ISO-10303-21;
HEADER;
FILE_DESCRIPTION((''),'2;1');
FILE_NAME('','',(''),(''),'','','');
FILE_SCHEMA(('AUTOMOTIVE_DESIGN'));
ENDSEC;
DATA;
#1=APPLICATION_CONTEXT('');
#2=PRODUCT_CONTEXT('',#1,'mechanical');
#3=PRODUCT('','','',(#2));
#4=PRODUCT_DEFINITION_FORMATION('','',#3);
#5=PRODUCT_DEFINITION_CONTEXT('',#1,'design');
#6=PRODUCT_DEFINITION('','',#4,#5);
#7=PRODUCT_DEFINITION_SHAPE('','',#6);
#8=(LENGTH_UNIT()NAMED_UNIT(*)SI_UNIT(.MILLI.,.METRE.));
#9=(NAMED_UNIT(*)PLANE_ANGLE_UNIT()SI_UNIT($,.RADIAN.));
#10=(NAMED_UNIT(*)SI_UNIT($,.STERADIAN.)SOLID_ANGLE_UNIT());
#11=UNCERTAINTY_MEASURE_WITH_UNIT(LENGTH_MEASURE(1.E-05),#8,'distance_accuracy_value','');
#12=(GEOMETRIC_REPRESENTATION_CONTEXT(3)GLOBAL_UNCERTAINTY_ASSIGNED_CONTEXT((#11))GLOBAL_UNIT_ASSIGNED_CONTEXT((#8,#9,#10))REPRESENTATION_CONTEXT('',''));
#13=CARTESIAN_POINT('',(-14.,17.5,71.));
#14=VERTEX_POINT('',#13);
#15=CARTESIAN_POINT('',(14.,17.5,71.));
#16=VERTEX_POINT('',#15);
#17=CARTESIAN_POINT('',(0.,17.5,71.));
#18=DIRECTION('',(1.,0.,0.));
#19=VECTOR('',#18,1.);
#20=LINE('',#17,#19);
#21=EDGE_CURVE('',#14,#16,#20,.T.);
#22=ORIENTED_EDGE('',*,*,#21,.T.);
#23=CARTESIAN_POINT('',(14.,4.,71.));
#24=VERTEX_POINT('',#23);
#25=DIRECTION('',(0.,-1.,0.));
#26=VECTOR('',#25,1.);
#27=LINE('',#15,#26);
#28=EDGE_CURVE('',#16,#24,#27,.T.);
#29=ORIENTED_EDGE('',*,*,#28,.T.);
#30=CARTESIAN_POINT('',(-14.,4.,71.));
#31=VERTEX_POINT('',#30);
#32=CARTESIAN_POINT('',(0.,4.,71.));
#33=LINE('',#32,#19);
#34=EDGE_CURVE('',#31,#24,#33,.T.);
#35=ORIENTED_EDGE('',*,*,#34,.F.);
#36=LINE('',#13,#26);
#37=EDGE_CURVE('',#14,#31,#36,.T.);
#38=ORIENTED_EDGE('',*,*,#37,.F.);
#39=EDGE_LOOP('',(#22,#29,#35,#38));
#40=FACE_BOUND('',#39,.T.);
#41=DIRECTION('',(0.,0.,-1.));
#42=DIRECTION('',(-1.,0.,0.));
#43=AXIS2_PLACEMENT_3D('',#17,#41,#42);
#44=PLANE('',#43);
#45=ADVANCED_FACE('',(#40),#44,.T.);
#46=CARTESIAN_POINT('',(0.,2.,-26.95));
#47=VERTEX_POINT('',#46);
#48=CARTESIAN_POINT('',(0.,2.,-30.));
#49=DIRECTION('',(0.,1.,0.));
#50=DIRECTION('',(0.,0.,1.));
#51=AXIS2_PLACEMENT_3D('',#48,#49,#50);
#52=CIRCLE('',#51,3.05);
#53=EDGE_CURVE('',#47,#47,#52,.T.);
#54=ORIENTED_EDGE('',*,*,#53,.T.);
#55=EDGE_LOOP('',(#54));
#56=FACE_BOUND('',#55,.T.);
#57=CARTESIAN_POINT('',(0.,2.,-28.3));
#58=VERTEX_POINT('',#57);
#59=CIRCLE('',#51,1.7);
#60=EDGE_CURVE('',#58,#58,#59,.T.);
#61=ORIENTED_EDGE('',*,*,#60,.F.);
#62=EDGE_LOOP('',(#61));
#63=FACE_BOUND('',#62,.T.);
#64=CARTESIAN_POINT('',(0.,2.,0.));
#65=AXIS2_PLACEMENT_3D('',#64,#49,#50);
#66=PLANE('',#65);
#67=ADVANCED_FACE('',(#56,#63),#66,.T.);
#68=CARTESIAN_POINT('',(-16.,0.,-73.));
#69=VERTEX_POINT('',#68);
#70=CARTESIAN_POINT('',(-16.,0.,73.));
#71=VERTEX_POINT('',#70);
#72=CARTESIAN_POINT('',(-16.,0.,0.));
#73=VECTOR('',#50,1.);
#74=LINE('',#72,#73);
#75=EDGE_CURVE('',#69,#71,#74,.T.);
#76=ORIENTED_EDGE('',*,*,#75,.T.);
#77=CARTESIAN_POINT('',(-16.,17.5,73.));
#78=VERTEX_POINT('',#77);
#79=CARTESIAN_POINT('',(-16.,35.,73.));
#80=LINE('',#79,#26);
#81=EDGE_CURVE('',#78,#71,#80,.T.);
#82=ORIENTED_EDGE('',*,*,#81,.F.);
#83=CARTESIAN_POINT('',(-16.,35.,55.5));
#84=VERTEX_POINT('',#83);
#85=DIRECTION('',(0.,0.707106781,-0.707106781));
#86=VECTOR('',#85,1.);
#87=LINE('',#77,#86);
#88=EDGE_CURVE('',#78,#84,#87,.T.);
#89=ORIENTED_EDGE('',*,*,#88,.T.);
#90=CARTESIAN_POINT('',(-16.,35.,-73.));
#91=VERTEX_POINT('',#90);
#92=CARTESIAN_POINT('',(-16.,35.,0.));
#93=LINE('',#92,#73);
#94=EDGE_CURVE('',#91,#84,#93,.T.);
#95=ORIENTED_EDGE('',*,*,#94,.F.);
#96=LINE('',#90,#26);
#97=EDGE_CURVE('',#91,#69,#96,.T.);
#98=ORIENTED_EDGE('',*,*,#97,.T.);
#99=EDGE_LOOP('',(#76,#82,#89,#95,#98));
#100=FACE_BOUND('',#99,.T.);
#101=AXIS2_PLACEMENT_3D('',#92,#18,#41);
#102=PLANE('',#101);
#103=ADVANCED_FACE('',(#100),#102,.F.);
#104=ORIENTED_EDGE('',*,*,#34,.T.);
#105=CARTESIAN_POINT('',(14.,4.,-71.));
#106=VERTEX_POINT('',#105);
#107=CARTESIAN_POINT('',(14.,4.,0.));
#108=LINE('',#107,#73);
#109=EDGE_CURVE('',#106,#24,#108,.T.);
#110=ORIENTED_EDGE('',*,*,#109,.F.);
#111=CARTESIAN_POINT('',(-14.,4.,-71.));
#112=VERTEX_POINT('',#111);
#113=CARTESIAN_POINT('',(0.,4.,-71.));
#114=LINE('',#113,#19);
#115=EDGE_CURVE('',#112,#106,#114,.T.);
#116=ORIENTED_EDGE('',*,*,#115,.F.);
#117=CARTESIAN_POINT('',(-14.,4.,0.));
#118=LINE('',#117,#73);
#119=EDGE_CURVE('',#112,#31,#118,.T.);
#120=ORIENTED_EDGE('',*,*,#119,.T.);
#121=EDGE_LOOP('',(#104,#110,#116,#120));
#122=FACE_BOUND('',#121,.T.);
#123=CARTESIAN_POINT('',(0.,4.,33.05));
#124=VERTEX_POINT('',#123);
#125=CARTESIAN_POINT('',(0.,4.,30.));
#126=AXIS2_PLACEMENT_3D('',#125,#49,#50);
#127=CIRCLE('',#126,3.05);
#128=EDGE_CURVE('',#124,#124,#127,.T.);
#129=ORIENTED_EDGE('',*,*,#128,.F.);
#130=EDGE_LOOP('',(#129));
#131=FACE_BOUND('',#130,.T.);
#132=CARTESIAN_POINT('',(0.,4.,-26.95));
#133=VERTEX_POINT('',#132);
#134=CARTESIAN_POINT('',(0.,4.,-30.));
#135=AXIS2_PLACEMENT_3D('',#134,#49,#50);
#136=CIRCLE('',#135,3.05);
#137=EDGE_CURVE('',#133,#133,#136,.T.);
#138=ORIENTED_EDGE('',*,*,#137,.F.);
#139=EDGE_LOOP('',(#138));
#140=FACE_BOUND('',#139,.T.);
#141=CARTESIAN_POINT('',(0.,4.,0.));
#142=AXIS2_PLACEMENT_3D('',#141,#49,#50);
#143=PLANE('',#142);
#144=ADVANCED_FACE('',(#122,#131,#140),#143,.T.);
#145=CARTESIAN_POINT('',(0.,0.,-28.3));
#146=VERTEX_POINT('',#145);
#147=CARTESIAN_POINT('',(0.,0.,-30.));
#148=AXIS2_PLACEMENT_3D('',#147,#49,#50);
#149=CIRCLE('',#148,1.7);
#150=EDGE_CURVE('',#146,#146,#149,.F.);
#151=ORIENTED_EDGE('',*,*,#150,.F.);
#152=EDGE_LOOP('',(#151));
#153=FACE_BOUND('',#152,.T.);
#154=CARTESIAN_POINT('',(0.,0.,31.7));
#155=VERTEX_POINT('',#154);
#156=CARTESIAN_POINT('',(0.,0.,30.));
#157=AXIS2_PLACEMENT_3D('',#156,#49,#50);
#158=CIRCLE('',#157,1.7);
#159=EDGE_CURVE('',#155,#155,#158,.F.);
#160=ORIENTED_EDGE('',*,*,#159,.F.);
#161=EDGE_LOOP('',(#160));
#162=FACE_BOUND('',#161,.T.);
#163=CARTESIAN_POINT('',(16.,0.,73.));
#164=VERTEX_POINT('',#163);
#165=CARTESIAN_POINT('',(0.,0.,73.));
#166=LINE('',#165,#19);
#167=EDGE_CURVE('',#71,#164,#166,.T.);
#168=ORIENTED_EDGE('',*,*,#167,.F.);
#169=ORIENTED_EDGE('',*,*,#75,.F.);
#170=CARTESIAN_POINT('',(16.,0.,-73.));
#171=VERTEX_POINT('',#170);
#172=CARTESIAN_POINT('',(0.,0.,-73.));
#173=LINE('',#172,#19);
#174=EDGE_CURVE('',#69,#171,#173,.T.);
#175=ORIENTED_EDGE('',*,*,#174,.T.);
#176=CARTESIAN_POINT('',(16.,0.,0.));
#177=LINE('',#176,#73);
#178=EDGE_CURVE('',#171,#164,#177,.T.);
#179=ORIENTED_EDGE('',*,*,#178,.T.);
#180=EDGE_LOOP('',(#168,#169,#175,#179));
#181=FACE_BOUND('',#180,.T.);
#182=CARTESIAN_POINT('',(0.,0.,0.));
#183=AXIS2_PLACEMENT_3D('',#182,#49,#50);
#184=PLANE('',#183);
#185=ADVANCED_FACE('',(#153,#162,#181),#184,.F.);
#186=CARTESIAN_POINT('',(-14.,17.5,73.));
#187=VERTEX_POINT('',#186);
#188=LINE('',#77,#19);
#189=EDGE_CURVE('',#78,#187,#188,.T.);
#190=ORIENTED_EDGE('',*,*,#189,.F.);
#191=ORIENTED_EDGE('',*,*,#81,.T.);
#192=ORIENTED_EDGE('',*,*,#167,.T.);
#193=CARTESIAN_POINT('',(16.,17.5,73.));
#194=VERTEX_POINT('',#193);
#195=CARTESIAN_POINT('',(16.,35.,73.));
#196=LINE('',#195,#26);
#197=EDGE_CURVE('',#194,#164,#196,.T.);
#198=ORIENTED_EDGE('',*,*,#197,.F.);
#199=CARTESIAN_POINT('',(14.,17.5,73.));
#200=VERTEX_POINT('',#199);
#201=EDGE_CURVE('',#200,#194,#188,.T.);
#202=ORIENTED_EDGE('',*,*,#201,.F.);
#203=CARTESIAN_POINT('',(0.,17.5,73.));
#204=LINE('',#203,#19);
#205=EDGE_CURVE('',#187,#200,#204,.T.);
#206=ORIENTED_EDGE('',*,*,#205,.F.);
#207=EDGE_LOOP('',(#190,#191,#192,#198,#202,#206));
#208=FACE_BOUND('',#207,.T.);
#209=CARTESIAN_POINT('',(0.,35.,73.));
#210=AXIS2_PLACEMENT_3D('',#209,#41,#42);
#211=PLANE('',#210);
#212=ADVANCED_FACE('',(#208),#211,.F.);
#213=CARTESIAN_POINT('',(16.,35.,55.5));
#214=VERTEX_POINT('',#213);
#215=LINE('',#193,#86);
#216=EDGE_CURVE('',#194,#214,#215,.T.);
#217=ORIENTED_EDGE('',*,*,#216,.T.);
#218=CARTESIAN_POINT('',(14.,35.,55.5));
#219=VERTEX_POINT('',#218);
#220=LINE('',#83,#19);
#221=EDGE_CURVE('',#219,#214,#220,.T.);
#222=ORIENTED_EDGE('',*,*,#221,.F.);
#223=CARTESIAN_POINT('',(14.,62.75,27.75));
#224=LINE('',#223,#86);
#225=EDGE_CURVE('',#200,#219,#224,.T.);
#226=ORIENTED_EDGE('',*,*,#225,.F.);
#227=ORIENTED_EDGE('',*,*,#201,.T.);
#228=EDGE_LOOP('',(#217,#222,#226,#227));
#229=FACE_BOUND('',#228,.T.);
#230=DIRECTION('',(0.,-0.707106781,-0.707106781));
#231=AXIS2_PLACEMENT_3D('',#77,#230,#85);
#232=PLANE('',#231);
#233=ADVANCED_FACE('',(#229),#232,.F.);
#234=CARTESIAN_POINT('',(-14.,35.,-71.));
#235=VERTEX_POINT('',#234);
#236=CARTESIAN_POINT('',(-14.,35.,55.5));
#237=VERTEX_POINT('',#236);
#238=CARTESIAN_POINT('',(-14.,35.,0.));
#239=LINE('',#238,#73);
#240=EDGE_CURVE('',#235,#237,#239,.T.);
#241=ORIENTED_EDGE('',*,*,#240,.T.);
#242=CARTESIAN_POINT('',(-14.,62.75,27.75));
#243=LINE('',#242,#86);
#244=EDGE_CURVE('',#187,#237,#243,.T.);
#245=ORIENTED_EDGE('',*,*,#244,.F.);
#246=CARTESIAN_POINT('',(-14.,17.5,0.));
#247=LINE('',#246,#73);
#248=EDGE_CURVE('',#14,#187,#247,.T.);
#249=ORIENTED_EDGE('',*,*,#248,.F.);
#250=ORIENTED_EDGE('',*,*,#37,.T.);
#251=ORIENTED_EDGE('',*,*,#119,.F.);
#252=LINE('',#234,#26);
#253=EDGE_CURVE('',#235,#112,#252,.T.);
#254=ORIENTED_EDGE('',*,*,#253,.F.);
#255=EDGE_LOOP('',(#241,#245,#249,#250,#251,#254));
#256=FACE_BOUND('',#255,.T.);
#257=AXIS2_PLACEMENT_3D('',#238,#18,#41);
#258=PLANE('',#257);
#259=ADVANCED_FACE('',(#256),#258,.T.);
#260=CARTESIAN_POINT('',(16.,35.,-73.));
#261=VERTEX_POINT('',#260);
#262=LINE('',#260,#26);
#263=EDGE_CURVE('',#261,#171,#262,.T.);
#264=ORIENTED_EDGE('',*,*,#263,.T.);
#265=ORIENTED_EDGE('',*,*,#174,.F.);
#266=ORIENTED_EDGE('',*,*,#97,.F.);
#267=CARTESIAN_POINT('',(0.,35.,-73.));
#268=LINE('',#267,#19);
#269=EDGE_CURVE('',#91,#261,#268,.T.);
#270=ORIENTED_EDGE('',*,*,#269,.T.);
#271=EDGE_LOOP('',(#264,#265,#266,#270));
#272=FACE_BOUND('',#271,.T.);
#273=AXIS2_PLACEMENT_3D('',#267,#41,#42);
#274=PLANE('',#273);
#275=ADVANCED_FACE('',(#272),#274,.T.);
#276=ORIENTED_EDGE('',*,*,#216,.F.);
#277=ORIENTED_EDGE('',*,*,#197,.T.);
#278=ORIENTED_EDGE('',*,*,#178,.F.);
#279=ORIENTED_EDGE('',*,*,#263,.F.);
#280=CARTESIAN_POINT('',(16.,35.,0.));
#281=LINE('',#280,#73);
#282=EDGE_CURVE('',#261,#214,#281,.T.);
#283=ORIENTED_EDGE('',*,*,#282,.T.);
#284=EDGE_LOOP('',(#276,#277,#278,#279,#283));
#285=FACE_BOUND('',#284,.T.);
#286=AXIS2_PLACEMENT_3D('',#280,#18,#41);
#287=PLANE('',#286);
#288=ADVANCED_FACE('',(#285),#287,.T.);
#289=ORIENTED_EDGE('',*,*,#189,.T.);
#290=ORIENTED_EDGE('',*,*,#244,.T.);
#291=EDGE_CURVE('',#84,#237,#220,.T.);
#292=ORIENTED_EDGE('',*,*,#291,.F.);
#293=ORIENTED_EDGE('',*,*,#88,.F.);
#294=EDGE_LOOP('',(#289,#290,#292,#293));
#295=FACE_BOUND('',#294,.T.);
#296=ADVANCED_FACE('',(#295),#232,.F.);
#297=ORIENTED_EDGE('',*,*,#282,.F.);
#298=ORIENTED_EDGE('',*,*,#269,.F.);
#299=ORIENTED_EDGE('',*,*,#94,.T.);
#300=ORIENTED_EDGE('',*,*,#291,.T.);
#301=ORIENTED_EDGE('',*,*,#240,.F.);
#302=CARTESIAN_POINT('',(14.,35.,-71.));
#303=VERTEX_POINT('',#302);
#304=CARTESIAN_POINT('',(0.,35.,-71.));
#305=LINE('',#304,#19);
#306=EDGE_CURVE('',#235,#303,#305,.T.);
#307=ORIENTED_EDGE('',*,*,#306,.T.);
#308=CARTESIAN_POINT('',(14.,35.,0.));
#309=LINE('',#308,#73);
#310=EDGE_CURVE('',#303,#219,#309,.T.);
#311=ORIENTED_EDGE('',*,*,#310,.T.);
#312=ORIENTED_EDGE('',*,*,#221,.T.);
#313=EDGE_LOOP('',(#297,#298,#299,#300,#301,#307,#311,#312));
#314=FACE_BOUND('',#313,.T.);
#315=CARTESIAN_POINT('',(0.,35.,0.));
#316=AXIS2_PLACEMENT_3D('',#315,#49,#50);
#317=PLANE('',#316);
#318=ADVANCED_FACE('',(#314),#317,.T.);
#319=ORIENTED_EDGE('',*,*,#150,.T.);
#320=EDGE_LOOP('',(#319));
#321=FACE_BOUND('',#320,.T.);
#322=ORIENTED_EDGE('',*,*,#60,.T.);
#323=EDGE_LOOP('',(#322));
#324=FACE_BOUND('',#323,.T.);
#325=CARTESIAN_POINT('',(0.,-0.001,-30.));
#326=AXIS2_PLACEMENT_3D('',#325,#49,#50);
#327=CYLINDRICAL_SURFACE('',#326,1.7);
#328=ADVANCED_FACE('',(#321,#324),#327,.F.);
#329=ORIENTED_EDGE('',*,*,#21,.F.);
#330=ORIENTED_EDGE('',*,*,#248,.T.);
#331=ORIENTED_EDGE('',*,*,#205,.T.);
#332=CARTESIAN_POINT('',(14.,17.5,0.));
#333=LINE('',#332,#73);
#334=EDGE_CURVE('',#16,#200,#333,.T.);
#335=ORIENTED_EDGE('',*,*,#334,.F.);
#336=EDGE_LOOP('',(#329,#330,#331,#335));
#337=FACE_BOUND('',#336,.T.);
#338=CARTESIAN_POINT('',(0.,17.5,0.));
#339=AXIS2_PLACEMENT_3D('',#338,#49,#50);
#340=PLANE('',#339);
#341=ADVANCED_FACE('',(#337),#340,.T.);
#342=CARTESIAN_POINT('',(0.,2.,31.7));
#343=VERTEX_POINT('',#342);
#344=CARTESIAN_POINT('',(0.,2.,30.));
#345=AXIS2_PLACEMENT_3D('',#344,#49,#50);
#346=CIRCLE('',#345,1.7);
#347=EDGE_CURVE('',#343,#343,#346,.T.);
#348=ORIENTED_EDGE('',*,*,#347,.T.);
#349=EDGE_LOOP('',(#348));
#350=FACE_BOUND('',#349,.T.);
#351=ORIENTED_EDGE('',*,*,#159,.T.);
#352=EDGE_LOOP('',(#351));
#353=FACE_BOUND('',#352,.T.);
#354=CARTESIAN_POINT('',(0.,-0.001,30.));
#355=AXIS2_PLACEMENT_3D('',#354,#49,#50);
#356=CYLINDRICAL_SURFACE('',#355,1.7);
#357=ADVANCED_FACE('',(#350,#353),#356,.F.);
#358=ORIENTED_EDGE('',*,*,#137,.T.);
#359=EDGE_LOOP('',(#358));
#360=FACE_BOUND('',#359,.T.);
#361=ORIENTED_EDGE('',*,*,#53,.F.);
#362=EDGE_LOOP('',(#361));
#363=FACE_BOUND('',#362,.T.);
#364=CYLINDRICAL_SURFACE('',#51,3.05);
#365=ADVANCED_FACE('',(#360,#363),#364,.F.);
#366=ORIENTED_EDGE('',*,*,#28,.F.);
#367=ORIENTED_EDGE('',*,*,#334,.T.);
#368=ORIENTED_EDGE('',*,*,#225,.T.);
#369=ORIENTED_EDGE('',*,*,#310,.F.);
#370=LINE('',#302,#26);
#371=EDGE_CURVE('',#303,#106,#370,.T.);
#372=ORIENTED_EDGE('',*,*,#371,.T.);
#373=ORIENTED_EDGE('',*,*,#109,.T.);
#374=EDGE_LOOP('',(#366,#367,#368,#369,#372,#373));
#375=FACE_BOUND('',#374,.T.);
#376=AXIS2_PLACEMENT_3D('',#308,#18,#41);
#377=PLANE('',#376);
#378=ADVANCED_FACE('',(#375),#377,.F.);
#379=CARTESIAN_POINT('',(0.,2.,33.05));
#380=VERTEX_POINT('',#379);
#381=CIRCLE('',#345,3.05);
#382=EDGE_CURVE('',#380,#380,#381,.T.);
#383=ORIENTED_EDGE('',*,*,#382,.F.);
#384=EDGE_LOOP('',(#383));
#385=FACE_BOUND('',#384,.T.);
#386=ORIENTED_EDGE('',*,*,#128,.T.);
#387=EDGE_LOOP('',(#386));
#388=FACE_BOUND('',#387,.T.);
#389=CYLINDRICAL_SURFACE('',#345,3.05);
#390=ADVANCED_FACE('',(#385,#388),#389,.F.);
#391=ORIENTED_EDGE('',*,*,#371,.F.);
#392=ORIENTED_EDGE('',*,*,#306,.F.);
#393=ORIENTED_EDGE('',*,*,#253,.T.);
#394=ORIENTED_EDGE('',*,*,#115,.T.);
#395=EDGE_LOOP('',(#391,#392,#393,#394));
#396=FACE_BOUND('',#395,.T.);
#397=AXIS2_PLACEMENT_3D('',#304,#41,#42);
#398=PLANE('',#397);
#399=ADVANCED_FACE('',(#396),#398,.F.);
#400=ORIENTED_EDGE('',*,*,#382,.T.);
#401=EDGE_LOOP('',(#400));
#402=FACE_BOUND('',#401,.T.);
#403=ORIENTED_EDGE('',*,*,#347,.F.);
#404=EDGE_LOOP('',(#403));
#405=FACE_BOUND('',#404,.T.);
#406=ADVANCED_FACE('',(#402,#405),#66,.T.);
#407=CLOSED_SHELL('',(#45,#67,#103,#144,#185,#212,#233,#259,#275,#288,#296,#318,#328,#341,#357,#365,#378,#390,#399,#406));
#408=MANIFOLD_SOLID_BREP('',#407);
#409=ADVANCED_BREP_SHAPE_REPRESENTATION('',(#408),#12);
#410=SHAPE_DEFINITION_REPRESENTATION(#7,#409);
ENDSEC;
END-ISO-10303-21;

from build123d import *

# Parameters (mm, degrees)
SKETCH1_W           = 28
SKETCH1_H           = 142
BOSS_EXTRUDE1_DEPTH = 4
BOSS_EXTRUDE2_DEPTH = 35
SKETCH1_5_W         = 28
SKETCH1_5_H         = 2
BOSS_EXTRUDE3_DEPTH = 17.5
CUT_EXTRUDE1_REACH  = 82.907
SKETCH2_R           = 1.7
SKETCH2_3_R         = 3.05
SKETCH2_3_R_2       = 1.7
CUT_EXTRUDE2_DEPTH  = 2
CUT_EXTRUDE3_DEPTH  = 88.051708771


with BuildPart() as part:
    # Sketch1 → Boss-Extrude1 (new body)
    with BuildSketch(Plane(origin=(0, 0, 0), x_dir=(1, 0, 0), z_dir=(0, 1, 0))):
        Rectangle(SKETCH1_W, SKETCH1_H)
    extrude(amount=BOSS_EXTRUDE1_DEPTH)

    # Sketch1<4> → Boss-Extrude2 (add)
    with BuildSketch(Plane(origin=(0, 0, 0), x_dir=(1, 0, 0), z_dir=(0, 1, 0))):
        Polygon((-14, -73), (-14, -71), (-14, 71), (14, 71), (14, -71), (14, -73), (16, -73), (16, 73), (-16, 73), (-16, -73), align=None)
    extrude(amount=BOSS_EXTRUDE2_DEPTH)

    # Sketch1<5> → Boss-Extrude3 (add)
    with BuildSketch(Plane(origin=(0, 0, 0), x_dir=(1, 0, 0), z_dir=(0, 1, 0))):
        with Locations((0, -72)):
            Rectangle(SKETCH1_5_W, SKETCH1_5_H)
    extrude(amount=BOSS_EXTRUDE3_DEPTH)

    # Sketch2 → Cut-Extrude1 (cut, up to next)
    with BuildSketch(Plane(origin=(0, 4, 0), x_dir=(1, 0, 0), z_dir=(0, 1, 0)), mode=Mode.PRIVATE) as cut_extrude1_sk1:
        with Locations((0, 30)):
            Circle(SKETCH2_R)
    cut_extrude1_tool1 = extrude(cut_extrude1_sk1.sketch, amount=-CUT_EXTRUDE1_REACH, mode=Mode.PRIVATE) & part.part
    # Sketch2 → Cut-Extrude1 (cut, up to next)
    with BuildSketch(Plane(origin=(0, 4, 0), x_dir=(1, 0, 0), z_dir=(0, 1, 0)), mode=Mode.PRIVATE) as cut_extrude1_sk2:
        with Locations((0, -30)):
            Circle(SKETCH2_R)
    cut_extrude1_tool2 = extrude(cut_extrude1_sk2.sketch, amount=-CUT_EXTRUDE1_REACH, mode=Mode.PRIVATE) & part.part
    add(cut_extrude1_tool1.solids().sort_by_distance((0, 4, -30))[0], mode=Mode.SUBTRACT)
    add(cut_extrude1_tool2.solids().sort_by_distance((0, 4, 30))[0], mode=Mode.SUBTRACT)

    # Sketch2<3> → Cut-Extrude2 (cut)
    # profile 1 of 2: a face of its own
    with BuildSketch(Plane(origin=(0, 4, 0), x_dir=(1, 0, 0), z_dir=(0, 1, 0))):
        with Locations((0, 30)):
            Circle(SKETCH2_3_R)
        with Locations((0, 30)):
            Circle(SKETCH2_3_R_2, mode=Mode.SUBTRACT)
    # profile 2 of 2: a face of its own
    with BuildSketch(Plane(origin=(0, 4, 0), x_dir=(1, 0, 0), z_dir=(0, 1, 0))):
        with Locations((0, -30)):
            Circle(SKETCH2_3_R)
        with Locations((0, -30)):
            Circle(SKETCH2_3_R_2, mode=Mode.SUBTRACT)
    extrude(amount=-CUT_EXTRUDE2_DEPTH, mode=Mode.SUBTRACT)

    # Sketch3 → Cut-Extrude3 (cut, through all)
    with BuildSketch(Plane(origin=(16, 0, 0), x_dir=(0, 0, -1), z_dir=(1, 0, 0))):
        Polygon((-73, 17.5), (-55.5, 35), (-73, 35), align=None)
    extrude(amount=-CUT_EXTRUDE3_DEPTH, mode=Mode.SUBTRACT)


solid = part.part
